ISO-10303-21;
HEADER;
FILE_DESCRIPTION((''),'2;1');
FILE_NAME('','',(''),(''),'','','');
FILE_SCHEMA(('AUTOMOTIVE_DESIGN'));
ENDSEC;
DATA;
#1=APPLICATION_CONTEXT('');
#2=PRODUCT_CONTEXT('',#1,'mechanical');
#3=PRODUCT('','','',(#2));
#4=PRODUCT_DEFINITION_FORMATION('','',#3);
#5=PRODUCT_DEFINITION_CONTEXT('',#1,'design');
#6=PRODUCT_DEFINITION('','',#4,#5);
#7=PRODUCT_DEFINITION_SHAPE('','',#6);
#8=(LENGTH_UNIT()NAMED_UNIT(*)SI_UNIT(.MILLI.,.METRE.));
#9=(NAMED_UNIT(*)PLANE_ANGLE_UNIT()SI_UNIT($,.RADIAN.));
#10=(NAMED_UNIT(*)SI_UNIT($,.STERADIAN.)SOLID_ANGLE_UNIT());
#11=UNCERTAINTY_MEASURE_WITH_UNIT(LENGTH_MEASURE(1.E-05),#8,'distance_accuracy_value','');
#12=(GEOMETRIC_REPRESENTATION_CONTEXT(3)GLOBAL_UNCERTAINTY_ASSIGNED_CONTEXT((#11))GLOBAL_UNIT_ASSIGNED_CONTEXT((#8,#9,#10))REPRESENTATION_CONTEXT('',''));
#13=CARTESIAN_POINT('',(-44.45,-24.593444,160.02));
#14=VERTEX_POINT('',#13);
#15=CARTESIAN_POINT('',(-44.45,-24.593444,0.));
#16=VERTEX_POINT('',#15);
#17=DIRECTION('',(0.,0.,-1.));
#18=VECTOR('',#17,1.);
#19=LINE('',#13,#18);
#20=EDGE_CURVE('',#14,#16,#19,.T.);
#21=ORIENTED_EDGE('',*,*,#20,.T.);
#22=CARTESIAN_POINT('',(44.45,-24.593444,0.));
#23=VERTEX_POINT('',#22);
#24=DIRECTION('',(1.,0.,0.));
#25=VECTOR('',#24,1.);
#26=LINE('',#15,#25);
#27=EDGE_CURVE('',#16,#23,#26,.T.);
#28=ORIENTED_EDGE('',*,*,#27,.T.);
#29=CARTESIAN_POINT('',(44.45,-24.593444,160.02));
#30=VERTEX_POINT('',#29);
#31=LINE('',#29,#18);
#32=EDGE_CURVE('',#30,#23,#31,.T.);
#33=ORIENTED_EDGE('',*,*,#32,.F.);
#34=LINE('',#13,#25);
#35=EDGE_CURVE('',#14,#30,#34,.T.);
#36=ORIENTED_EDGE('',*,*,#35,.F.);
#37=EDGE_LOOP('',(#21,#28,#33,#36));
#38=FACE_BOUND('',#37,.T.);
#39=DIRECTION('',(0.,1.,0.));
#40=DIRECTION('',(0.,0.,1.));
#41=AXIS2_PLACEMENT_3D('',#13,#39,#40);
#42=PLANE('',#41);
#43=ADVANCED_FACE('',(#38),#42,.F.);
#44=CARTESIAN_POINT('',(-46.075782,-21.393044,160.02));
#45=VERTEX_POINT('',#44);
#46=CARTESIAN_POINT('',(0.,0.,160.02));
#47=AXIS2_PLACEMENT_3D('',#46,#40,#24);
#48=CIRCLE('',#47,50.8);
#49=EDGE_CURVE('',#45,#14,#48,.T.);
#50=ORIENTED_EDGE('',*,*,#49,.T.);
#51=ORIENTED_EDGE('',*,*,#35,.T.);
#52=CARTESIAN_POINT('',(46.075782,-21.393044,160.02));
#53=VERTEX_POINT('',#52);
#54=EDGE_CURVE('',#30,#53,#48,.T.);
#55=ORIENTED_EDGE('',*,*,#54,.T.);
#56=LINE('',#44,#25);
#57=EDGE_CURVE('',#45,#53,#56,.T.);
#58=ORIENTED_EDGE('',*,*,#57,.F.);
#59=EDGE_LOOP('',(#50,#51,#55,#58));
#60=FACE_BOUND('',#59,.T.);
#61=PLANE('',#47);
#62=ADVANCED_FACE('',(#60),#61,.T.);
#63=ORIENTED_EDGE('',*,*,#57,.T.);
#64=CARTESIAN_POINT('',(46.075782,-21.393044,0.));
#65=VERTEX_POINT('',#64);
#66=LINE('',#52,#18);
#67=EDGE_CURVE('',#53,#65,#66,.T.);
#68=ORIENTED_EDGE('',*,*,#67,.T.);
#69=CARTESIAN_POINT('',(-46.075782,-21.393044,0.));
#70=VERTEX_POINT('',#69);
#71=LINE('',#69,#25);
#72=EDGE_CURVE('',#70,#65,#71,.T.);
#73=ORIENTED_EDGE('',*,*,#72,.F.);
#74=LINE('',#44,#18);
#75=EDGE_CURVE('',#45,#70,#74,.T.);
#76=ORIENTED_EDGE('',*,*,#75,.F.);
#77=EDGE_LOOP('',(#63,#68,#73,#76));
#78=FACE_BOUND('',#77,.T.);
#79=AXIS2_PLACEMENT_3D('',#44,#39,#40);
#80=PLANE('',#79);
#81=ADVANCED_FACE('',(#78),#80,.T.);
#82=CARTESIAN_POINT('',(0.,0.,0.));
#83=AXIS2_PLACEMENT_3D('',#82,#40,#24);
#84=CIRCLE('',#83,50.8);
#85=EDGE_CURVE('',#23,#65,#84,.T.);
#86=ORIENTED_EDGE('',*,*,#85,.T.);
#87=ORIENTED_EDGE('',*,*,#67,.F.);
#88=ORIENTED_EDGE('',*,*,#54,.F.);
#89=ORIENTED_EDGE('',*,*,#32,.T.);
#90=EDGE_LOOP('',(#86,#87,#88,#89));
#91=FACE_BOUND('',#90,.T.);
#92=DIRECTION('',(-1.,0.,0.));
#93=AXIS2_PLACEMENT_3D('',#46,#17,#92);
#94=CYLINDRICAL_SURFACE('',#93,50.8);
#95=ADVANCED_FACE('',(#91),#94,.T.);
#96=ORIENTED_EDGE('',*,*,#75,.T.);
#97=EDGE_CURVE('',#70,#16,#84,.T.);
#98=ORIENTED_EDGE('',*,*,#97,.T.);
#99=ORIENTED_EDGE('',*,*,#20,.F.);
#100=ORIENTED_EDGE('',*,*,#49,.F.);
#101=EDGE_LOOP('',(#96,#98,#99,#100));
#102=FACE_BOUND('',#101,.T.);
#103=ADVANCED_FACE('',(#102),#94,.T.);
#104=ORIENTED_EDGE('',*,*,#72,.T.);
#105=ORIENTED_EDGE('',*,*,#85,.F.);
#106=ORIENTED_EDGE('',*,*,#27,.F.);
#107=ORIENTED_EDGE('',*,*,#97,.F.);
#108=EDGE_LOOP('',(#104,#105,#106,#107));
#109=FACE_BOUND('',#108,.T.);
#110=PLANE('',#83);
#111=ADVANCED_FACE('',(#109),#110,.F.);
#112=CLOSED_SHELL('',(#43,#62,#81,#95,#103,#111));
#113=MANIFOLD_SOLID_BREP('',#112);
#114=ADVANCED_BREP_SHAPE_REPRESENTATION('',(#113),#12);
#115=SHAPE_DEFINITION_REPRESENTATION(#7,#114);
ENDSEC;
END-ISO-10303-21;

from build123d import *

# Parameters (mm, degrees)
BOSS_EXTRUDE1_DEPTH = 160.02


with BuildPart() as part:
    # Sketch2 → Boss-Extrude1 (new body)
    with BuildSketch(Plane.XY):
        with BuildLine():
            Line((-44.45, -24.593444248), (44.45, -24.593444248))
            ThreePointArc((44.45, -24.593444248), (45.291168316, -23.007609015), (46.075781684, -21.393044248))
            Line((46.075781684, -21.393044248), (-46.075781684, -21.393044248))
            ThreePointArc((-46.075781684, -21.393044248), (-45.291168316, -23.007609015), (-44.45, -24.593444248))
        make_face()
    extrude(amount=BOSS_EXTRUDE1_DEPTH)


solid = part.part
